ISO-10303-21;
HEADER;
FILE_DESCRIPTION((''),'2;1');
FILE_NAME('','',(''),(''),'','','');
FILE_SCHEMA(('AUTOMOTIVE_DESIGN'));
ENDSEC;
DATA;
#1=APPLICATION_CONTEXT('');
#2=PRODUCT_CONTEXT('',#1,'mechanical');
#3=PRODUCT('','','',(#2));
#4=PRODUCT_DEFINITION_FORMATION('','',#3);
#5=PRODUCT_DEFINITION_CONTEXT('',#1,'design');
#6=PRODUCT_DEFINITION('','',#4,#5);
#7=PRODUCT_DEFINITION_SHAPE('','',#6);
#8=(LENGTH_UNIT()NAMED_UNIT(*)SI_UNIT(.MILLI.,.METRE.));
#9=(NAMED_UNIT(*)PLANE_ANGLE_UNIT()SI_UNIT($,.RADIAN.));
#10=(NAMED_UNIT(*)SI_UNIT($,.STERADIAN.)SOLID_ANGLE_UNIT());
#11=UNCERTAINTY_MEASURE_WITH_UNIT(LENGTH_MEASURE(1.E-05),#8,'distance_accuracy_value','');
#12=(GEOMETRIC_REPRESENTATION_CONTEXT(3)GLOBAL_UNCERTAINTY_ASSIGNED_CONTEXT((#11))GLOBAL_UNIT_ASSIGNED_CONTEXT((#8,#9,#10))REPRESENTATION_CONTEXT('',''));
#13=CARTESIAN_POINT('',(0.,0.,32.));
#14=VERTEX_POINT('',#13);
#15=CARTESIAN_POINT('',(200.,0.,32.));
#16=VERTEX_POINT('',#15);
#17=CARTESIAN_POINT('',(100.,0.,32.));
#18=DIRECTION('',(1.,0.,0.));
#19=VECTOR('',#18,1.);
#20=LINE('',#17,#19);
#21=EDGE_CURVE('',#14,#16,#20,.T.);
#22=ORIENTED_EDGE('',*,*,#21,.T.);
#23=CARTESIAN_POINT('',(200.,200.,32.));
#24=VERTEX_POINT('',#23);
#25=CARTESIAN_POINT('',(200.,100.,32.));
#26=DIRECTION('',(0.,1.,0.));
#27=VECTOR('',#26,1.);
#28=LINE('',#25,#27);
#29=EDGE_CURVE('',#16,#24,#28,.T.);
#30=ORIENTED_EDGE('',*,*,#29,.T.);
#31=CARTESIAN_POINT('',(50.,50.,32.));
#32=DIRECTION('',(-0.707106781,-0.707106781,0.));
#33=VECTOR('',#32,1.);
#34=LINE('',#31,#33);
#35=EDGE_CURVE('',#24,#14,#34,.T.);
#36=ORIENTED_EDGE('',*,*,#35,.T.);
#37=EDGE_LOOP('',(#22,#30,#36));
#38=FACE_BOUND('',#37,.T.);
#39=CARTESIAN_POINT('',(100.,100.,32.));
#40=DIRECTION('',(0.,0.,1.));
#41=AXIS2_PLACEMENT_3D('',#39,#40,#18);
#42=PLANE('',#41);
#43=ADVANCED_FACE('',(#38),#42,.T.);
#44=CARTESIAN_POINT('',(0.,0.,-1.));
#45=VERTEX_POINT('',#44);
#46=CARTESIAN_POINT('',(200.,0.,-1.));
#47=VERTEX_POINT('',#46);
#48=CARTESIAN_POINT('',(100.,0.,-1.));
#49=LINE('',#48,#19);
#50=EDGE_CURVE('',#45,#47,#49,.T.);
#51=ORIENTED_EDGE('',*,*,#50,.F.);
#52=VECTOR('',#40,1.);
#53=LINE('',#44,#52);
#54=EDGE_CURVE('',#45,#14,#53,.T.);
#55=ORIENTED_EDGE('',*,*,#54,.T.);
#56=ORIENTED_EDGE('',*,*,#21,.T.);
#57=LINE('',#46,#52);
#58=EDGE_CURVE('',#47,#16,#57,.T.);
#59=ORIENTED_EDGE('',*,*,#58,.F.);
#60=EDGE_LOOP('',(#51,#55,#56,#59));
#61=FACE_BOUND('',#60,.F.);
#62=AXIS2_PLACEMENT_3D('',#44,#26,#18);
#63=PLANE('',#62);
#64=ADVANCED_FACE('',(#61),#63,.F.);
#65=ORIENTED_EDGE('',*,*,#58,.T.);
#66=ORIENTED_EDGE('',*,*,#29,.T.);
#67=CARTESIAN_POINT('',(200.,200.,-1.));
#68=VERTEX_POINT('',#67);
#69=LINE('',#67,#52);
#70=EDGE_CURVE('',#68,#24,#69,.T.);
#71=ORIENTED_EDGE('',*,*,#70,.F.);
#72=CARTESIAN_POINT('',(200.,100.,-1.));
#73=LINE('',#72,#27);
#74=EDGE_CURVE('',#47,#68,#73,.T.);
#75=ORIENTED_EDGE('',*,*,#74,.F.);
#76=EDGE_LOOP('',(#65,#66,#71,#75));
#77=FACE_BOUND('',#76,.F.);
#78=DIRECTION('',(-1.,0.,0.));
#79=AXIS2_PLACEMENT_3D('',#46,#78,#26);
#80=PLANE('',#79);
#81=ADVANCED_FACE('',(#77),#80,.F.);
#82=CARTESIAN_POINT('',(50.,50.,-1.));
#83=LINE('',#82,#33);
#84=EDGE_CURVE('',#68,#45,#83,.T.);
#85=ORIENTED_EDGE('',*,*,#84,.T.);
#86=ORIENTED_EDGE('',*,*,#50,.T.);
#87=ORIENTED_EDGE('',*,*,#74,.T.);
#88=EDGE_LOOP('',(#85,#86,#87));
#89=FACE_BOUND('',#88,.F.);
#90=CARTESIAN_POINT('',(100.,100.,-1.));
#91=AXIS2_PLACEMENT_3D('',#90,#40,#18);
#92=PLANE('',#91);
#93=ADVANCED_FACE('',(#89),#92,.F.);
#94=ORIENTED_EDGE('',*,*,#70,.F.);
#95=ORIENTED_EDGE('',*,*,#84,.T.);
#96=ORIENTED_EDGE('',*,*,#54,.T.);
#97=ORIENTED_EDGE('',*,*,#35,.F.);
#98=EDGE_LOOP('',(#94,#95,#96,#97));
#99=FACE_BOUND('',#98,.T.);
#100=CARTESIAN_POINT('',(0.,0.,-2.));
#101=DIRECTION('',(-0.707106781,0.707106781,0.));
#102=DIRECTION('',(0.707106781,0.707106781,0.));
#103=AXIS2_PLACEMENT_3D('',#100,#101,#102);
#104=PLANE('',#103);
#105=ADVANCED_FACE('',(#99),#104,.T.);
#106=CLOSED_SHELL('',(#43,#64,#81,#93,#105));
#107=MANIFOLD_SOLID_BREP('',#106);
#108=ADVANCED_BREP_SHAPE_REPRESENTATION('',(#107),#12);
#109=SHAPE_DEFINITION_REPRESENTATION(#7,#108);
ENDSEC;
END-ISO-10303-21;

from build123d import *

# Parameters (mm, degrees)
BOX_W               = 313
BOX_H               = 200
BOX_DEPTH           = 37
BOX_PLACEMENT_ANGLE = 45
BOX008_W            = 200
BOX008_H            = 200
BOX008_DEPTH        = 33


with BuildPart() as cube002:
    # Box → Box (new body)
    with BuildSketch(Plane.XY):
        with Locations((156.5, 100)):
            Rectangle(BOX_W, BOX_H)
    extrude(amount=BOX_DEPTH)


with BuildPart() as cube002_1:
    # Box placement: moved
    add(cube002.part.moved(Location((0, 0, -2))).rotate(Axis((0, 0, -2), (0, 0, 1)), BOX_PLACEMENT_ANGLE))


with BuildPart() as long_45a:
    # Box008 → Box008 (new body)
    with BuildSketch(Plane.XY.offset(-1)):
        with Locations((100, 100)):
            Rectangle(BOX008_W, BOX008_H)
    extrude(amount=BOX008_DEPTH)

    # Cut006: cut Cube002
    add(cube002_1.part, mode=Mode.SUBTRACT)


solid = long_45a.part
